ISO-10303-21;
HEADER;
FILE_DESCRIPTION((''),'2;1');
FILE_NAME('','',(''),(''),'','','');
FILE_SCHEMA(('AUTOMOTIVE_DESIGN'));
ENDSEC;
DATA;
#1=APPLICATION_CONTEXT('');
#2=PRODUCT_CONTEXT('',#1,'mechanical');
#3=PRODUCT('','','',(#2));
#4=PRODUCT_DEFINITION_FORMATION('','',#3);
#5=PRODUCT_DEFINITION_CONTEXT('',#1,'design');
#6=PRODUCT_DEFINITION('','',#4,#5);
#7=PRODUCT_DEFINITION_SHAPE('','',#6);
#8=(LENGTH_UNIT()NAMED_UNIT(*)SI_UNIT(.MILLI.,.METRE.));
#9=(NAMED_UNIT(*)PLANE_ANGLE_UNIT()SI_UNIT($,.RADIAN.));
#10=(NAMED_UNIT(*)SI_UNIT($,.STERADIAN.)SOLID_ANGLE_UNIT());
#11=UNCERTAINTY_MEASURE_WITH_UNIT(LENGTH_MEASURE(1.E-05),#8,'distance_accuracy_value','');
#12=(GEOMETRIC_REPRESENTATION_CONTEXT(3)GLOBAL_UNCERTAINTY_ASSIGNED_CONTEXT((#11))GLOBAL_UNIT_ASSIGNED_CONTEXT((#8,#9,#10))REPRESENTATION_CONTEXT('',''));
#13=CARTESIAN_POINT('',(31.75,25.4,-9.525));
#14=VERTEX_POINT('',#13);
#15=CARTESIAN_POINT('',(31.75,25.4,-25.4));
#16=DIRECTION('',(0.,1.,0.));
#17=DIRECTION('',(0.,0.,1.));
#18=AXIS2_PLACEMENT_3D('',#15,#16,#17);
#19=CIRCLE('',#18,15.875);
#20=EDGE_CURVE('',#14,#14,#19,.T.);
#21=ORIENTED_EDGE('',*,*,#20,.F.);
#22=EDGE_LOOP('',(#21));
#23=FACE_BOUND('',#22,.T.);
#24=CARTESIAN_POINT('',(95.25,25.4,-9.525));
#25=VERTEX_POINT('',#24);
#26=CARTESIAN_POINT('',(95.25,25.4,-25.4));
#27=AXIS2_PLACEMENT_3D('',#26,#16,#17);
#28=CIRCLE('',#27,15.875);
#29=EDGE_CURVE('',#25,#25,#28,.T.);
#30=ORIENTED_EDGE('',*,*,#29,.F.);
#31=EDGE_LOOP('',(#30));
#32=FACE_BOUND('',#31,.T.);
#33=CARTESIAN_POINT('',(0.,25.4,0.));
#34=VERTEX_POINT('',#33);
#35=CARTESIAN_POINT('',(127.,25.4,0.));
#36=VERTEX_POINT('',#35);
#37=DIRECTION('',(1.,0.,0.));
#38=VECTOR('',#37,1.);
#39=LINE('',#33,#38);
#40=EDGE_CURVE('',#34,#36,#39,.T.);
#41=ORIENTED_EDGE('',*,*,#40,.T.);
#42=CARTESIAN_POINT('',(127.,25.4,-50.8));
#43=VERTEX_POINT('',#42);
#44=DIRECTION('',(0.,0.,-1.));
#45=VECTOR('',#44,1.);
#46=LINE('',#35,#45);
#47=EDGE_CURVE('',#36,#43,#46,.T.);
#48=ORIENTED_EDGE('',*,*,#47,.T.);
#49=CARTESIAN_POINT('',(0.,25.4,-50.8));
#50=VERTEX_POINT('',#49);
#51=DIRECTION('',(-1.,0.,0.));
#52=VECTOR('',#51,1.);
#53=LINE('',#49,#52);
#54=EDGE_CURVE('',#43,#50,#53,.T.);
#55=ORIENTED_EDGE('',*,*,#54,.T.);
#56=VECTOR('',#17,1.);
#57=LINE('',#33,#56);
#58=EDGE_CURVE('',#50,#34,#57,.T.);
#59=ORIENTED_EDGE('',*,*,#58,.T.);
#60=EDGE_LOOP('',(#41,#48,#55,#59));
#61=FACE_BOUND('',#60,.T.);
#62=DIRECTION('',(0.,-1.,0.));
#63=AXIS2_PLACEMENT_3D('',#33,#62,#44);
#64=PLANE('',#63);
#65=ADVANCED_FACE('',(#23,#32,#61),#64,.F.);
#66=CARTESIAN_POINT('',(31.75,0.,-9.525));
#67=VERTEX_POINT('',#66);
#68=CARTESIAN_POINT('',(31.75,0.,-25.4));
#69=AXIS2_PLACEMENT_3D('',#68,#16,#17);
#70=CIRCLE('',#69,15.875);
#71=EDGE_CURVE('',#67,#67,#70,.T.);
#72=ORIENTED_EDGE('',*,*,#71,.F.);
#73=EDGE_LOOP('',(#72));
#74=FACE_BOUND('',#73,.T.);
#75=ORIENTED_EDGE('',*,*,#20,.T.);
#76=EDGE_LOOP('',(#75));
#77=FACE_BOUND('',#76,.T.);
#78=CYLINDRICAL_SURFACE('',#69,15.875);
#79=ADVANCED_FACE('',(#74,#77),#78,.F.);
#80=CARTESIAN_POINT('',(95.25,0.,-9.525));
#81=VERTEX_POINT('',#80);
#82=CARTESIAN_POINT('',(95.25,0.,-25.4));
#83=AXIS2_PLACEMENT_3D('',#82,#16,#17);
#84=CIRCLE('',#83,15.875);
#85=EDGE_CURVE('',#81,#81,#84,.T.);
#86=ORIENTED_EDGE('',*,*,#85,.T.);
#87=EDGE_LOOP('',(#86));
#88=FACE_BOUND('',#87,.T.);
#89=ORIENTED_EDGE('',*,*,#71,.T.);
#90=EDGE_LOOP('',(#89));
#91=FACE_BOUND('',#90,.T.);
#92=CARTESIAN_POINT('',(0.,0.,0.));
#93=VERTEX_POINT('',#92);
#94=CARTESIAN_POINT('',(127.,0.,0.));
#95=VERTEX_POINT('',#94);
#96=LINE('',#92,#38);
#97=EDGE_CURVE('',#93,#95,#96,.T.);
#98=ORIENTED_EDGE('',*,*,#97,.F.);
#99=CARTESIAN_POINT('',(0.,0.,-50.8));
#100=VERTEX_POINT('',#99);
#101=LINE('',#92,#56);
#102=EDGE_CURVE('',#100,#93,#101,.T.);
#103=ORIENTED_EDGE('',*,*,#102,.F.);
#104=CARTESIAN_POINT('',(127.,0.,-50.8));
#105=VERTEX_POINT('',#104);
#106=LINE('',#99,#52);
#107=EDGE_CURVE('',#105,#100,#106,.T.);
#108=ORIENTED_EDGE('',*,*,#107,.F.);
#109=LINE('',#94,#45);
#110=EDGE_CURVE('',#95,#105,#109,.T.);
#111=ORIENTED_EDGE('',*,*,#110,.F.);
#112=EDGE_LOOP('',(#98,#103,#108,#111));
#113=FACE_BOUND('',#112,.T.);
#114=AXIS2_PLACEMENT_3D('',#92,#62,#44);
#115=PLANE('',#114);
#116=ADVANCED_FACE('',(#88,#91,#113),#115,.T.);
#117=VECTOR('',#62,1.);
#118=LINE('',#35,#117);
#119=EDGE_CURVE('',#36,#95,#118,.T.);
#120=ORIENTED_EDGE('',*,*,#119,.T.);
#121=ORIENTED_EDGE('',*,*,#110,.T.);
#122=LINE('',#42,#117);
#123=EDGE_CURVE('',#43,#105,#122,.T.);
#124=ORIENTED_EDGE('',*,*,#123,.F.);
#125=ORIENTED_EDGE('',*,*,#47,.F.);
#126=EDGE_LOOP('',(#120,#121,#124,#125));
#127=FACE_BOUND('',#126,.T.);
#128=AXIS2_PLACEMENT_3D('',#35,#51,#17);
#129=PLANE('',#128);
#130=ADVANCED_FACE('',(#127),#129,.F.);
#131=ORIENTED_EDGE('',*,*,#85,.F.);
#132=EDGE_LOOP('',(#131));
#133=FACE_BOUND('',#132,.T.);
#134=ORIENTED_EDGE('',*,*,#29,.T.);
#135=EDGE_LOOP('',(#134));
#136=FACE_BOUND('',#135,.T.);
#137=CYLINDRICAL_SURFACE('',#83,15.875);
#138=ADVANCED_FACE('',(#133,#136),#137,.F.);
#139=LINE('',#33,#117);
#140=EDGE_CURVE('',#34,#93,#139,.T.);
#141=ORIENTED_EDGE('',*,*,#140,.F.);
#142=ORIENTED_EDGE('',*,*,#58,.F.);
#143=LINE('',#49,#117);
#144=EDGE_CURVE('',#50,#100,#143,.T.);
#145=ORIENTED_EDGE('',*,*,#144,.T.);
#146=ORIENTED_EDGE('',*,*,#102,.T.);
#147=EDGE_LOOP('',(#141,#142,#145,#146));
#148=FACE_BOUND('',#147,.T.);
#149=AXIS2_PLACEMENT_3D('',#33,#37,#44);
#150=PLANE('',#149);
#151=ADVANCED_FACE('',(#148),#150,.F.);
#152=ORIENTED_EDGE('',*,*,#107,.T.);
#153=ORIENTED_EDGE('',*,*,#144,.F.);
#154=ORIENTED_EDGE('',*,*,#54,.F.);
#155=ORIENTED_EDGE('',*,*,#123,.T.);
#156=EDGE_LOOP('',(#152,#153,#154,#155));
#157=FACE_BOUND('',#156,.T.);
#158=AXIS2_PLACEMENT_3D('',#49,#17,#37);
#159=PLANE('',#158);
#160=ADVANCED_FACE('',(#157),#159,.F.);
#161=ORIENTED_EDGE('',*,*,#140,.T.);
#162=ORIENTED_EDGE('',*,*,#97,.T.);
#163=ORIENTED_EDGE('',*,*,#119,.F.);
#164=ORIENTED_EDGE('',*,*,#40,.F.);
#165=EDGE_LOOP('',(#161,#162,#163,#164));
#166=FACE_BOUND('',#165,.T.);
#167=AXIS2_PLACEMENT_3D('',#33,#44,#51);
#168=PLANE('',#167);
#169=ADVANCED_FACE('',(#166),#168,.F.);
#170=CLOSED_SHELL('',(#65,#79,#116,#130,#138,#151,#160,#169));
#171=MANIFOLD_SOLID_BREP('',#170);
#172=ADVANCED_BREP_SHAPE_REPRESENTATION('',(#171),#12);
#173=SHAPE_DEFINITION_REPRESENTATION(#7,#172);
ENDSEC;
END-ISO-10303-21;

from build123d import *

# Parameters (mm, degrees)
SKETCH1_W           = 127
SKETCH1_H           = 50.8
BOSS_EXTRUDE1_DEPTH = 25.4
SKETCH2_R           = 15.875
CUT_EXTRUDE1_DEPTH  = 26.4


with BuildPart() as part:
    # Sketch1 → Boss-Extrude1 (new body)
    with BuildSketch(Plane(origin=(0, 0, 0), x_dir=(1, 0, 0), z_dir=(0, 1, 0))):
        with Locations((63.5, 25.4)):
            Rectangle(SKETCH1_W, SKETCH1_H)
    extrude(amount=BOSS_EXTRUDE1_DEPTH)

    # Sketch2 → Cut-Extrude1 (cut, through all)
    with BuildSketch(Plane(origin=(0, 25.4, 0), x_dir=(1, 0, 0), z_dir=(0, 1, 0))):
        with Locations((31.75, 25.4)):
            Circle(SKETCH2_R)
        with Locations((95.25, 25.4)):
            Circle(SKETCH2_R)
    extrude(amount=-CUT_EXTRUDE1_DEPTH, mode=Mode.SUBTRACT)


solid = part.part
